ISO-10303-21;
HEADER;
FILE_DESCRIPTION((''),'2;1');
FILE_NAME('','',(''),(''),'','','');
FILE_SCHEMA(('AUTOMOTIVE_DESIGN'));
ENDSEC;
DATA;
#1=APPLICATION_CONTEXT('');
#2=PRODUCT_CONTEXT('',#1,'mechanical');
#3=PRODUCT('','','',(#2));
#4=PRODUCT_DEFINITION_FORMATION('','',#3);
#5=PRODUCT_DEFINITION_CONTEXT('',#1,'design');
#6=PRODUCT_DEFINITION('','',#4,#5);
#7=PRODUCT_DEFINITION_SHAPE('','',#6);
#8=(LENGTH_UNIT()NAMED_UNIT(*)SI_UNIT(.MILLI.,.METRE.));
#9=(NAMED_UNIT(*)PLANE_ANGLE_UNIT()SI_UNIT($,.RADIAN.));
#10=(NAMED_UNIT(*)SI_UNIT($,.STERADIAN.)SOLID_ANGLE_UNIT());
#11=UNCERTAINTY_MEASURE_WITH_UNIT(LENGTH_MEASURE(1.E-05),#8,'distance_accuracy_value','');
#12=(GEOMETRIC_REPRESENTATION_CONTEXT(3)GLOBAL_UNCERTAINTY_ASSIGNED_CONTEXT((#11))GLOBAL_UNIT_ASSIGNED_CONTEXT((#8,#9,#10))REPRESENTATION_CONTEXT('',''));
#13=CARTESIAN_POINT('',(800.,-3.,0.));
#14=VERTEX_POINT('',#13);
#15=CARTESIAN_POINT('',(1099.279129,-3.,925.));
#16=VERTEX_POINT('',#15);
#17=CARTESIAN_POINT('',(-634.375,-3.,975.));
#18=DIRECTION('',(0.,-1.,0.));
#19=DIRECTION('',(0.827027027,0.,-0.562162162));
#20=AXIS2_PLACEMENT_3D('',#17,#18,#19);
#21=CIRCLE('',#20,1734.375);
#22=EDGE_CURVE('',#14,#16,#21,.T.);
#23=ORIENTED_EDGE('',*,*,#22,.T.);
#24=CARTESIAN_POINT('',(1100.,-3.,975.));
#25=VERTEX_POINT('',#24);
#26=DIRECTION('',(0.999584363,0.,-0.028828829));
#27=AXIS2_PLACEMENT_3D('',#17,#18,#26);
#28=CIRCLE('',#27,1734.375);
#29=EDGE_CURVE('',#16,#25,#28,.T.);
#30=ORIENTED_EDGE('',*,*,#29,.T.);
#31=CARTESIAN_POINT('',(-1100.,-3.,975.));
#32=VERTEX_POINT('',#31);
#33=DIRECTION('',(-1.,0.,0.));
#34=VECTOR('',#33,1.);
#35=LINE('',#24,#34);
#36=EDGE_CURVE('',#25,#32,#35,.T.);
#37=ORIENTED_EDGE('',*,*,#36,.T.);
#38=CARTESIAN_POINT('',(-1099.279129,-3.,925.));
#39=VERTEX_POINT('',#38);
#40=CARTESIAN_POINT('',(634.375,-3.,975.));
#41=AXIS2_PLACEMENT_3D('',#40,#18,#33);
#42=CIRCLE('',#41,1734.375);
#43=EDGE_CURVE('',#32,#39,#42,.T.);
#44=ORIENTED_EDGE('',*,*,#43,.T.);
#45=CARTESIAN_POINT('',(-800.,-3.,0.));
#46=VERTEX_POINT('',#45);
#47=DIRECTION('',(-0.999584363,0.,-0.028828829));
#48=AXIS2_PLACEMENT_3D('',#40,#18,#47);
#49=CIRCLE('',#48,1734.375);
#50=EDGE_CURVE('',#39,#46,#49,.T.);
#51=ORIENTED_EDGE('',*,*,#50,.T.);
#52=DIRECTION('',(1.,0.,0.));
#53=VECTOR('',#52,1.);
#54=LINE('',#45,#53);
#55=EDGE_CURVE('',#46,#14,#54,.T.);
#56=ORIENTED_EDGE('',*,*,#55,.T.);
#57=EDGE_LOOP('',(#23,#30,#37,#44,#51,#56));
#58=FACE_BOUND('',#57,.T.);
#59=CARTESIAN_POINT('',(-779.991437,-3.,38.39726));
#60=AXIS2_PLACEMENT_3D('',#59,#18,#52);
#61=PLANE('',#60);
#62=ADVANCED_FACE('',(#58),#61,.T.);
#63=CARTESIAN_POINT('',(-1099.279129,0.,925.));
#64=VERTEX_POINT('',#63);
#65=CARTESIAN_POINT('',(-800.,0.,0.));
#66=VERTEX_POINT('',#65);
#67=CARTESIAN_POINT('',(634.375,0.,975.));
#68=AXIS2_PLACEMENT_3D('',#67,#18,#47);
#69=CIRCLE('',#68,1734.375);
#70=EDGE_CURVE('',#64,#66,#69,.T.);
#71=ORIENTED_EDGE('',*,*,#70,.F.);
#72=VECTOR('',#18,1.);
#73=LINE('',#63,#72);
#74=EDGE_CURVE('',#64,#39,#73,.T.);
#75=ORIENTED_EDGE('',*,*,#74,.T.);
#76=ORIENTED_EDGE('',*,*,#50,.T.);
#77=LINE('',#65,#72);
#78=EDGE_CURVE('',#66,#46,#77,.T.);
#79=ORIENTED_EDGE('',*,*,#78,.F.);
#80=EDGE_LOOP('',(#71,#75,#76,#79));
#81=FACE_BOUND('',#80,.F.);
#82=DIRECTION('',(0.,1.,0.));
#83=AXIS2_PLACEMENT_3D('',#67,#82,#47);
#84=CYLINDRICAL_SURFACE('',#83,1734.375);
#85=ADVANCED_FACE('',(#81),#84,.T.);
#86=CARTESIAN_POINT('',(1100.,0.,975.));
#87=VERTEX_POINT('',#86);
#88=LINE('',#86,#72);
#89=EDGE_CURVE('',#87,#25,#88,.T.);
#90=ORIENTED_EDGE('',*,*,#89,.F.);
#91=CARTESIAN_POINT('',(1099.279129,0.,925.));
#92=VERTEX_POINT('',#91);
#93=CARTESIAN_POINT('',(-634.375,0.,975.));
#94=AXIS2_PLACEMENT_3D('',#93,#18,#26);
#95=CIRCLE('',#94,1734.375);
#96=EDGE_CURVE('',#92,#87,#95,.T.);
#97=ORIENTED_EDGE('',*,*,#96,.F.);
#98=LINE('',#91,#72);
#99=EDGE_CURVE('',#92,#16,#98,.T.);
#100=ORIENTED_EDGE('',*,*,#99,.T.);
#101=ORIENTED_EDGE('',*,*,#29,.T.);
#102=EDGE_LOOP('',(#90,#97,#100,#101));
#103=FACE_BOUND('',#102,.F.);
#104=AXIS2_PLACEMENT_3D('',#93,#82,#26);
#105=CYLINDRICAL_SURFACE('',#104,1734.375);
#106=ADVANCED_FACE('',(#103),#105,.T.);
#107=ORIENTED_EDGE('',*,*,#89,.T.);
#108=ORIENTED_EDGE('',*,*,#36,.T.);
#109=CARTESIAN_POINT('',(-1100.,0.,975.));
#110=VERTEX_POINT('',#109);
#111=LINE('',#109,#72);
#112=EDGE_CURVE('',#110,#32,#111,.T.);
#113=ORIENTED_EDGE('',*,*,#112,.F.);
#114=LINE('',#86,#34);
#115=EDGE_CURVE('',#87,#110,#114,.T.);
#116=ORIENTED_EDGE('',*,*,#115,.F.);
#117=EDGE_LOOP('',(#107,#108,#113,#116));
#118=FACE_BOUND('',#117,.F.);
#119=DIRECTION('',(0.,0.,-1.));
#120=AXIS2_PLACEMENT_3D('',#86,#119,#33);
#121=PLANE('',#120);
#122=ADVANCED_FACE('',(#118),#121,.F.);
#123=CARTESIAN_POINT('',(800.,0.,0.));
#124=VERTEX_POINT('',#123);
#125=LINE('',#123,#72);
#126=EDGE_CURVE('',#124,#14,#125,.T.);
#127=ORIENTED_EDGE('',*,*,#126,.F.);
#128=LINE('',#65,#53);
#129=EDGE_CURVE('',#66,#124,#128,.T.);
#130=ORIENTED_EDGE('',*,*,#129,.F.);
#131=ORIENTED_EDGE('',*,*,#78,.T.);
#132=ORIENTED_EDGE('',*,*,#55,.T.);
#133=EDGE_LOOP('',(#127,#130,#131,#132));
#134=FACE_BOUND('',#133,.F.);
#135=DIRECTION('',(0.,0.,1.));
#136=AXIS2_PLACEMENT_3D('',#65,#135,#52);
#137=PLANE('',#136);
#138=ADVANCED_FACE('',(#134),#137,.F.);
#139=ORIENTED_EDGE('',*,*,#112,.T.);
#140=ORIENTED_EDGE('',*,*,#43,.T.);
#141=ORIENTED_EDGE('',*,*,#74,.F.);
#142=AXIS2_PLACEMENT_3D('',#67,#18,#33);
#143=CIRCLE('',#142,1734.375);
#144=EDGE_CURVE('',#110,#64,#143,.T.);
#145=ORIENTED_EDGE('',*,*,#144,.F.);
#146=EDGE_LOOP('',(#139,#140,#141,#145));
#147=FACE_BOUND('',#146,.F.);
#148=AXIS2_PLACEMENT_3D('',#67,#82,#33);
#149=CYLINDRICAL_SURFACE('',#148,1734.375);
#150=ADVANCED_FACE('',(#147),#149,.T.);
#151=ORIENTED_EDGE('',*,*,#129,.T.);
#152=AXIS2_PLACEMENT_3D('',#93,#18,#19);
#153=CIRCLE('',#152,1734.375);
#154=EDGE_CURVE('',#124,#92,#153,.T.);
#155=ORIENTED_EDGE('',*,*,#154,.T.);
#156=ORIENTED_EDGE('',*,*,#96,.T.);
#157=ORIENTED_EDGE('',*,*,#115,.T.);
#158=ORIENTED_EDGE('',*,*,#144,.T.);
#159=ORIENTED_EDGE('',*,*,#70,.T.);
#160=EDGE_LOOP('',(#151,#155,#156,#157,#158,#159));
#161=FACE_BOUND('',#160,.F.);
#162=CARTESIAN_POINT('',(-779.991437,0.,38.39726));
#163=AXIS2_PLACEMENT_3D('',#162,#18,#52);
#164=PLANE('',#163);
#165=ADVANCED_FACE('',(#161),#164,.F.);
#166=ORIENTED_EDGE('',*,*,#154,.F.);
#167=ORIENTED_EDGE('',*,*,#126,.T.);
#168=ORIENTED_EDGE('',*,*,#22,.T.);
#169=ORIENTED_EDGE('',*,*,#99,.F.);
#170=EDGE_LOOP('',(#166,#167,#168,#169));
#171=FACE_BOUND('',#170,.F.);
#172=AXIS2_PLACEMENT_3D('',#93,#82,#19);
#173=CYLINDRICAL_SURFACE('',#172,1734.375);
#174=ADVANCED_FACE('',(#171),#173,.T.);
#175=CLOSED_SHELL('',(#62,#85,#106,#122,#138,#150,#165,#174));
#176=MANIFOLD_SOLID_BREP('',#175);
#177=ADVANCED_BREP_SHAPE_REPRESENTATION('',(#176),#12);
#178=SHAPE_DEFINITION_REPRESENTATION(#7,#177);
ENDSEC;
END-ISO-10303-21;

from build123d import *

# Parameters (mm, degrees)
F0_W     = 100
F0_H     = 50
F0_W_2   = 600
F0_W_3   = 50
F0_W_4   = 775
F1_DEPTH = 3


with BuildPart() as f1:
    # F0 (on Front) → F1 (new body)
    with BuildSketch(Plane.XZ):
        with BuildLine():
            Line((-800, 92.0008493777), (-800, 0))
            Line((-800, 0), (-750, 0))
            Line((-750, 0), (-750, 50))
            Line((-750, 50), (-773.2805475772, 50))
            ThreePointArc((-773.2805475772, 50), (-786.7954423389, 70.9017119543), (-800.0000000001, 92.0008493776))
        make_face()
        with Locations((-700, 25)):
            Rectangle(F0_W, F0_H)
        with Locations((-350, 25)):
            Rectangle(F0_W_2, F0_H)
        with Locations((-25, 25)):
            Rectangle(F0_W_3, F0_H)
        with Locations((25, 25)):
            Rectangle(F0_W_3, F0_H)
        with Locations((350, 25)):
            Rectangle(F0_W_2, F0_H)
        with Locations((700, 25)):
            Rectangle(F0_W, F0_H)
        with BuildLine():
            Line((750, 0), (800, 0))
            Line((800, 0), (800, 92.0008493776))
            ThreePointArc((800.0000000001, 92.0008493776), (786.7954423389, 70.9017119543), (773.2805475772, 50))
            Line((773.2805475772, 50), (750, 50))
            Line((750, 50), (750, 0))
        make_face()
        with BuildLine():
            Line((-1049.2577214167, 925), (-1099.279129469, 925))
            ThreePointArc((-1099.279129469, 925), (-1015.7790507756, 441.1008996693), (-800, 0))
            Line((-800, 0), (-800, 92.0008493777))
            ThreePointArc((-800.0000000001, 92.0008493776), (-979.3055551093, 492.139557753), (-1049.2577214167, 925))
        make_face()
        with BuildLine():
            ThreePointArc((800, 0), (1015.7790507756, 441.1008996693), (1099.279129469, 925))
            Line((1099.279129469, 925), (1049.2577214167, 925))
            ThreePointArc((1049.2577214167, 925), (979.3055551094, 492.139557753), (800.0000000001, 92.0008493776))
            Line((800, 92.0008493776), (800, 0))
        make_face()
        with BuildLine():
            ThreePointArc((1099.279129469, 925), (1099.8197730031, 949.9974018634), (1100, 975))
            Line((1100, 975), (1050, 975))
            ThreePointArc((1050, 975), (1049.8144201308, 949.9972452643), (1049.2577214167, 925))
            Line((1049.2577214167, 925), (1099.279129469, 925))
        make_face()
        with BuildLine():
            Line((-1050, 975), (-1100, 975))
            ThreePointArc((-1100, 975), (-1099.8197730031, 949.9974018634), (-1099.279129469, 925))
            Line((-1099.279129469, 925), (-1049.2577214167, 925))
            ThreePointArc((-1049.2577214167, 925), (-1049.8144201308, 949.9972452643), (-1050, 975))
        make_face()
        with BuildLine():
            Line((-800, 925), (-1049.2577214167, 925))
            ThreePointArc((-1049.2577214167, 925), (-979.3055551093, 492.139557753), (-800.0000000001, 92.0008493776))
            Line((-800, 92.0008493777), (-800, 925))
        make_face()
        with BuildLine():
            Line((-25, 925), (-800, 925))
            Line((-800, 925), (-800, 92.0008493777))
            ThreePointArc((-800.0000000001, 92.0008493776), (-786.7954423389, 70.9017119543), (-773.2805475772, 50))
            Line((-773.2805475772, 50), (-750, 50))
            Line((-750, 50), (-650, 50))
            Line((-650, 50), (-50, 50))
            Line((-50, 50), (0, 50))
            Line((0, 50), (50, 50))
            Line((50, 50), (650, 50))
            Line((650, 50), (750, 50))
            Line((750, 50), (773.2805475772, 50))
            ThreePointArc((773.2805475772, 50), (786.7954423389, 70.9017119543), (800.0000000001, 92.0008493776))
            Line((800, 92.0008493776), (800, 925))
            Line((800, 925), (25, 925))
            Line((25, 925), (-25, 925))
        make_face()
        with BuildLine():
            ThreePointArc((800.0000000001, 92.0008493776), (979.3055551094, 492.139557753), (1049.2577214167, 925))
            Line((1049.2577214167, 925), (800, 925))
            Line((800, 925), (800, 92.0008493776))
        make_face()
        with BuildLine():
            ThreePointArc((1049.2577214167, 925), (1049.8144201308, 949.9972452643), (1050, 975))
            Line((1050, 975), (800, 975))
            Line((800, 975), (800, 925))
            Line((800, 925), (1049.2577214167, 925))
        make_face()
        with Locations((412.5, 950)):
            Rectangle(F0_W_4, F0_H)
        Polygon((25, 975), (0, 975), (-25, 975), (-25, 925), (25, 925), align=None)
        with Locations((-412.5, 950)):
            Rectangle(F0_W_4, F0_H)
        with BuildLine():
            Line((-800, 975), (-1050, 975))
            ThreePointArc((-1050, 975), (-1049.8144201308, 949.9972452643), (-1049.2577214167, 925))
            Line((-1049.2577214167, 925), (-800, 925))
            Line((-800, 925), (-800, 975))
        make_face()
    extrude(amount=F1_DEPTH)


solid = f1.part
